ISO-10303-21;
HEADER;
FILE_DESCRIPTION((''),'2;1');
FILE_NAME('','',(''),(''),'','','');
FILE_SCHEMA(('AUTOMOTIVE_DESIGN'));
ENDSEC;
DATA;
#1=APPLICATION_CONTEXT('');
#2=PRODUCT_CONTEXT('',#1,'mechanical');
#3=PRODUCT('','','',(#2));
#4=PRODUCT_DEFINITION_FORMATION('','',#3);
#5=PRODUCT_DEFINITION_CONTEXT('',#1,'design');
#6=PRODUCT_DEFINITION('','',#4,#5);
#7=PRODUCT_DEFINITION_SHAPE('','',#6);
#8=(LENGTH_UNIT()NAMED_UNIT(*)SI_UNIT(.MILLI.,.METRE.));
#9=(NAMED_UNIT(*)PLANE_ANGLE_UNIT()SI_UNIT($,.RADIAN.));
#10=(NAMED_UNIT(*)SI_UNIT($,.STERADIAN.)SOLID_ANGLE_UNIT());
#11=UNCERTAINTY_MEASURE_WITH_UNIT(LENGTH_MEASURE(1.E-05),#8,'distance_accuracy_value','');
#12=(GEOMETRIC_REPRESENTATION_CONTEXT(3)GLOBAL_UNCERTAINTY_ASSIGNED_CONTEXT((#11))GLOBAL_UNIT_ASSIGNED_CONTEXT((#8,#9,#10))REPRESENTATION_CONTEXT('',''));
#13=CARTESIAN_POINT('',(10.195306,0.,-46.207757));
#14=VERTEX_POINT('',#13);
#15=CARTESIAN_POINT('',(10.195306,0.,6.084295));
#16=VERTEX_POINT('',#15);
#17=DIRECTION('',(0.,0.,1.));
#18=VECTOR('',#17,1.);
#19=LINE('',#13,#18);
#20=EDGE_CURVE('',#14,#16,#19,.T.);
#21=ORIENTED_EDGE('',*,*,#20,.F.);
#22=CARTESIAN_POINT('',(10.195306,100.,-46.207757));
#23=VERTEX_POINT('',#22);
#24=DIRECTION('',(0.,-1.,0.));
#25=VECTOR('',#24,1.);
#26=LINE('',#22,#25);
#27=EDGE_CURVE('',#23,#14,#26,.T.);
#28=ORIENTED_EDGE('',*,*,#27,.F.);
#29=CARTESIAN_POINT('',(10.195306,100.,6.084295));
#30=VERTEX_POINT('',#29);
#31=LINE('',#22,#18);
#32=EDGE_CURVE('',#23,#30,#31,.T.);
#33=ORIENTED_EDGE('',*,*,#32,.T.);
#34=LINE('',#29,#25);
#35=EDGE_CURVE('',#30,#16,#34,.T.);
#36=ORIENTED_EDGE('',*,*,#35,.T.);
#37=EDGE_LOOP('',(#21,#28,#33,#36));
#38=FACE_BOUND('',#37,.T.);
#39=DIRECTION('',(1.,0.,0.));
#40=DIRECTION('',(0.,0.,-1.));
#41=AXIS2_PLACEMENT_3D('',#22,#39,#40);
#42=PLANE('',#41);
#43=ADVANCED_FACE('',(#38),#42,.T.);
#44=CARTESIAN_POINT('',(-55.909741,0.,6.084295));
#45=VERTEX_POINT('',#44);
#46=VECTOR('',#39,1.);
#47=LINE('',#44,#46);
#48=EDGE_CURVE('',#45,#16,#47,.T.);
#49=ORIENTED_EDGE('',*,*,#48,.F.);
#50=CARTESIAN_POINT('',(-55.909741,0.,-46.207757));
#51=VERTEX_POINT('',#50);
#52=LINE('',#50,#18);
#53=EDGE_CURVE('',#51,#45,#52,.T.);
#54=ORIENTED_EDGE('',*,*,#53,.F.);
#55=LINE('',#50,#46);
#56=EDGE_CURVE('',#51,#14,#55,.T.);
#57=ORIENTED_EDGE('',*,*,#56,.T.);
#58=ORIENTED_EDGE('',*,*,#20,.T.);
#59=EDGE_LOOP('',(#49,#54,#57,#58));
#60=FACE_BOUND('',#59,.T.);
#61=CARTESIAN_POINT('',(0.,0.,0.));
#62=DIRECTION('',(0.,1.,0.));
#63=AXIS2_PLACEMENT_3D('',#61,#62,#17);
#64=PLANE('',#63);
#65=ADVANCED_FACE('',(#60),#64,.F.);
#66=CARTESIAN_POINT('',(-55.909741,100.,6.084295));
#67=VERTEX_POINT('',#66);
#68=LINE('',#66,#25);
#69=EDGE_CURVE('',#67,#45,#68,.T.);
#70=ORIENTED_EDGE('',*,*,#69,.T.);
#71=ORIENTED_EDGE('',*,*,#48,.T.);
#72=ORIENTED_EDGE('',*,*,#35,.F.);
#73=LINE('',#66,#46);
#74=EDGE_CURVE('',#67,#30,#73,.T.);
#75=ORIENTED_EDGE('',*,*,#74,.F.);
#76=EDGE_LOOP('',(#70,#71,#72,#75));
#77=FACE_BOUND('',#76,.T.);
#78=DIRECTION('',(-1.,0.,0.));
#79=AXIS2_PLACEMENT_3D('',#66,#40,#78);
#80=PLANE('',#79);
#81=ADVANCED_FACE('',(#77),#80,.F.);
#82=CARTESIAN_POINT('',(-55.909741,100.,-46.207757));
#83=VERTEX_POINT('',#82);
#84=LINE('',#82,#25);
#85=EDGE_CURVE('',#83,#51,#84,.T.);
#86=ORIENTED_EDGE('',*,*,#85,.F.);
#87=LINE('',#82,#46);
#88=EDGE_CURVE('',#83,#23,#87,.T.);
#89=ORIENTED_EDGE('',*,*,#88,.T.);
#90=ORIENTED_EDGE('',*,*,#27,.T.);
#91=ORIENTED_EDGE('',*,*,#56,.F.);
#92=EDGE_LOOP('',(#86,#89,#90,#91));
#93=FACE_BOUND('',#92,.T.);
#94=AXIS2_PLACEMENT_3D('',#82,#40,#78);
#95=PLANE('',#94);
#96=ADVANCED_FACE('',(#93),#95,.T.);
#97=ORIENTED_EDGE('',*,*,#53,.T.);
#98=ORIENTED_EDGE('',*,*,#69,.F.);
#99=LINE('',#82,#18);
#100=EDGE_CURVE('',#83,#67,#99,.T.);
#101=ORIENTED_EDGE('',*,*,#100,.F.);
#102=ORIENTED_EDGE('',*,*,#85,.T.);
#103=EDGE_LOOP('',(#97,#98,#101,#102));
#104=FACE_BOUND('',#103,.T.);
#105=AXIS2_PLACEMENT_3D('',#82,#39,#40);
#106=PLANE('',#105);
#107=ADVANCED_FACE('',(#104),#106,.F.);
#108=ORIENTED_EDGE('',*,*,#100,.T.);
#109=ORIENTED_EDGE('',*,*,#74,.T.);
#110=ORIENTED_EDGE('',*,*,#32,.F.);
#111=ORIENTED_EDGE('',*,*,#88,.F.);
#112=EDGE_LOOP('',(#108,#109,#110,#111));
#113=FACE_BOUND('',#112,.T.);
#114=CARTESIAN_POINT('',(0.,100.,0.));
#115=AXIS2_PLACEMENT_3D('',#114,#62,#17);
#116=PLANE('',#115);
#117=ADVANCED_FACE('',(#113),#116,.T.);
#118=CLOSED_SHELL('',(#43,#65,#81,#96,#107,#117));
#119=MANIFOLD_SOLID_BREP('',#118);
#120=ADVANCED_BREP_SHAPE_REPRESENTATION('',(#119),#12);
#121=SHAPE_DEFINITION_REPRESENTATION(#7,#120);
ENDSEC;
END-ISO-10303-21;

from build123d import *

# Parameters (mm, degrees)
SKETCH_1_W      = 66.105046808
SKETCH_1_H      = 52.292051952
EXTRUDE_1_DEPTH = 100


with BuildPart() as part:
    # 草图1 → 凸台-拉伸1 (new body)
    with BuildSketch(Plane(origin=(0, 0, 0), x_dir=(1, 0, 0), z_dir=(0, 1, 0))):
        with Locations((-22.857217677, 20.061730623)):
            Rectangle(SKETCH_1_W, SKETCH_1_H)
    extrude(amount=EXTRUDE_1_DEPTH)


solid = part.part
